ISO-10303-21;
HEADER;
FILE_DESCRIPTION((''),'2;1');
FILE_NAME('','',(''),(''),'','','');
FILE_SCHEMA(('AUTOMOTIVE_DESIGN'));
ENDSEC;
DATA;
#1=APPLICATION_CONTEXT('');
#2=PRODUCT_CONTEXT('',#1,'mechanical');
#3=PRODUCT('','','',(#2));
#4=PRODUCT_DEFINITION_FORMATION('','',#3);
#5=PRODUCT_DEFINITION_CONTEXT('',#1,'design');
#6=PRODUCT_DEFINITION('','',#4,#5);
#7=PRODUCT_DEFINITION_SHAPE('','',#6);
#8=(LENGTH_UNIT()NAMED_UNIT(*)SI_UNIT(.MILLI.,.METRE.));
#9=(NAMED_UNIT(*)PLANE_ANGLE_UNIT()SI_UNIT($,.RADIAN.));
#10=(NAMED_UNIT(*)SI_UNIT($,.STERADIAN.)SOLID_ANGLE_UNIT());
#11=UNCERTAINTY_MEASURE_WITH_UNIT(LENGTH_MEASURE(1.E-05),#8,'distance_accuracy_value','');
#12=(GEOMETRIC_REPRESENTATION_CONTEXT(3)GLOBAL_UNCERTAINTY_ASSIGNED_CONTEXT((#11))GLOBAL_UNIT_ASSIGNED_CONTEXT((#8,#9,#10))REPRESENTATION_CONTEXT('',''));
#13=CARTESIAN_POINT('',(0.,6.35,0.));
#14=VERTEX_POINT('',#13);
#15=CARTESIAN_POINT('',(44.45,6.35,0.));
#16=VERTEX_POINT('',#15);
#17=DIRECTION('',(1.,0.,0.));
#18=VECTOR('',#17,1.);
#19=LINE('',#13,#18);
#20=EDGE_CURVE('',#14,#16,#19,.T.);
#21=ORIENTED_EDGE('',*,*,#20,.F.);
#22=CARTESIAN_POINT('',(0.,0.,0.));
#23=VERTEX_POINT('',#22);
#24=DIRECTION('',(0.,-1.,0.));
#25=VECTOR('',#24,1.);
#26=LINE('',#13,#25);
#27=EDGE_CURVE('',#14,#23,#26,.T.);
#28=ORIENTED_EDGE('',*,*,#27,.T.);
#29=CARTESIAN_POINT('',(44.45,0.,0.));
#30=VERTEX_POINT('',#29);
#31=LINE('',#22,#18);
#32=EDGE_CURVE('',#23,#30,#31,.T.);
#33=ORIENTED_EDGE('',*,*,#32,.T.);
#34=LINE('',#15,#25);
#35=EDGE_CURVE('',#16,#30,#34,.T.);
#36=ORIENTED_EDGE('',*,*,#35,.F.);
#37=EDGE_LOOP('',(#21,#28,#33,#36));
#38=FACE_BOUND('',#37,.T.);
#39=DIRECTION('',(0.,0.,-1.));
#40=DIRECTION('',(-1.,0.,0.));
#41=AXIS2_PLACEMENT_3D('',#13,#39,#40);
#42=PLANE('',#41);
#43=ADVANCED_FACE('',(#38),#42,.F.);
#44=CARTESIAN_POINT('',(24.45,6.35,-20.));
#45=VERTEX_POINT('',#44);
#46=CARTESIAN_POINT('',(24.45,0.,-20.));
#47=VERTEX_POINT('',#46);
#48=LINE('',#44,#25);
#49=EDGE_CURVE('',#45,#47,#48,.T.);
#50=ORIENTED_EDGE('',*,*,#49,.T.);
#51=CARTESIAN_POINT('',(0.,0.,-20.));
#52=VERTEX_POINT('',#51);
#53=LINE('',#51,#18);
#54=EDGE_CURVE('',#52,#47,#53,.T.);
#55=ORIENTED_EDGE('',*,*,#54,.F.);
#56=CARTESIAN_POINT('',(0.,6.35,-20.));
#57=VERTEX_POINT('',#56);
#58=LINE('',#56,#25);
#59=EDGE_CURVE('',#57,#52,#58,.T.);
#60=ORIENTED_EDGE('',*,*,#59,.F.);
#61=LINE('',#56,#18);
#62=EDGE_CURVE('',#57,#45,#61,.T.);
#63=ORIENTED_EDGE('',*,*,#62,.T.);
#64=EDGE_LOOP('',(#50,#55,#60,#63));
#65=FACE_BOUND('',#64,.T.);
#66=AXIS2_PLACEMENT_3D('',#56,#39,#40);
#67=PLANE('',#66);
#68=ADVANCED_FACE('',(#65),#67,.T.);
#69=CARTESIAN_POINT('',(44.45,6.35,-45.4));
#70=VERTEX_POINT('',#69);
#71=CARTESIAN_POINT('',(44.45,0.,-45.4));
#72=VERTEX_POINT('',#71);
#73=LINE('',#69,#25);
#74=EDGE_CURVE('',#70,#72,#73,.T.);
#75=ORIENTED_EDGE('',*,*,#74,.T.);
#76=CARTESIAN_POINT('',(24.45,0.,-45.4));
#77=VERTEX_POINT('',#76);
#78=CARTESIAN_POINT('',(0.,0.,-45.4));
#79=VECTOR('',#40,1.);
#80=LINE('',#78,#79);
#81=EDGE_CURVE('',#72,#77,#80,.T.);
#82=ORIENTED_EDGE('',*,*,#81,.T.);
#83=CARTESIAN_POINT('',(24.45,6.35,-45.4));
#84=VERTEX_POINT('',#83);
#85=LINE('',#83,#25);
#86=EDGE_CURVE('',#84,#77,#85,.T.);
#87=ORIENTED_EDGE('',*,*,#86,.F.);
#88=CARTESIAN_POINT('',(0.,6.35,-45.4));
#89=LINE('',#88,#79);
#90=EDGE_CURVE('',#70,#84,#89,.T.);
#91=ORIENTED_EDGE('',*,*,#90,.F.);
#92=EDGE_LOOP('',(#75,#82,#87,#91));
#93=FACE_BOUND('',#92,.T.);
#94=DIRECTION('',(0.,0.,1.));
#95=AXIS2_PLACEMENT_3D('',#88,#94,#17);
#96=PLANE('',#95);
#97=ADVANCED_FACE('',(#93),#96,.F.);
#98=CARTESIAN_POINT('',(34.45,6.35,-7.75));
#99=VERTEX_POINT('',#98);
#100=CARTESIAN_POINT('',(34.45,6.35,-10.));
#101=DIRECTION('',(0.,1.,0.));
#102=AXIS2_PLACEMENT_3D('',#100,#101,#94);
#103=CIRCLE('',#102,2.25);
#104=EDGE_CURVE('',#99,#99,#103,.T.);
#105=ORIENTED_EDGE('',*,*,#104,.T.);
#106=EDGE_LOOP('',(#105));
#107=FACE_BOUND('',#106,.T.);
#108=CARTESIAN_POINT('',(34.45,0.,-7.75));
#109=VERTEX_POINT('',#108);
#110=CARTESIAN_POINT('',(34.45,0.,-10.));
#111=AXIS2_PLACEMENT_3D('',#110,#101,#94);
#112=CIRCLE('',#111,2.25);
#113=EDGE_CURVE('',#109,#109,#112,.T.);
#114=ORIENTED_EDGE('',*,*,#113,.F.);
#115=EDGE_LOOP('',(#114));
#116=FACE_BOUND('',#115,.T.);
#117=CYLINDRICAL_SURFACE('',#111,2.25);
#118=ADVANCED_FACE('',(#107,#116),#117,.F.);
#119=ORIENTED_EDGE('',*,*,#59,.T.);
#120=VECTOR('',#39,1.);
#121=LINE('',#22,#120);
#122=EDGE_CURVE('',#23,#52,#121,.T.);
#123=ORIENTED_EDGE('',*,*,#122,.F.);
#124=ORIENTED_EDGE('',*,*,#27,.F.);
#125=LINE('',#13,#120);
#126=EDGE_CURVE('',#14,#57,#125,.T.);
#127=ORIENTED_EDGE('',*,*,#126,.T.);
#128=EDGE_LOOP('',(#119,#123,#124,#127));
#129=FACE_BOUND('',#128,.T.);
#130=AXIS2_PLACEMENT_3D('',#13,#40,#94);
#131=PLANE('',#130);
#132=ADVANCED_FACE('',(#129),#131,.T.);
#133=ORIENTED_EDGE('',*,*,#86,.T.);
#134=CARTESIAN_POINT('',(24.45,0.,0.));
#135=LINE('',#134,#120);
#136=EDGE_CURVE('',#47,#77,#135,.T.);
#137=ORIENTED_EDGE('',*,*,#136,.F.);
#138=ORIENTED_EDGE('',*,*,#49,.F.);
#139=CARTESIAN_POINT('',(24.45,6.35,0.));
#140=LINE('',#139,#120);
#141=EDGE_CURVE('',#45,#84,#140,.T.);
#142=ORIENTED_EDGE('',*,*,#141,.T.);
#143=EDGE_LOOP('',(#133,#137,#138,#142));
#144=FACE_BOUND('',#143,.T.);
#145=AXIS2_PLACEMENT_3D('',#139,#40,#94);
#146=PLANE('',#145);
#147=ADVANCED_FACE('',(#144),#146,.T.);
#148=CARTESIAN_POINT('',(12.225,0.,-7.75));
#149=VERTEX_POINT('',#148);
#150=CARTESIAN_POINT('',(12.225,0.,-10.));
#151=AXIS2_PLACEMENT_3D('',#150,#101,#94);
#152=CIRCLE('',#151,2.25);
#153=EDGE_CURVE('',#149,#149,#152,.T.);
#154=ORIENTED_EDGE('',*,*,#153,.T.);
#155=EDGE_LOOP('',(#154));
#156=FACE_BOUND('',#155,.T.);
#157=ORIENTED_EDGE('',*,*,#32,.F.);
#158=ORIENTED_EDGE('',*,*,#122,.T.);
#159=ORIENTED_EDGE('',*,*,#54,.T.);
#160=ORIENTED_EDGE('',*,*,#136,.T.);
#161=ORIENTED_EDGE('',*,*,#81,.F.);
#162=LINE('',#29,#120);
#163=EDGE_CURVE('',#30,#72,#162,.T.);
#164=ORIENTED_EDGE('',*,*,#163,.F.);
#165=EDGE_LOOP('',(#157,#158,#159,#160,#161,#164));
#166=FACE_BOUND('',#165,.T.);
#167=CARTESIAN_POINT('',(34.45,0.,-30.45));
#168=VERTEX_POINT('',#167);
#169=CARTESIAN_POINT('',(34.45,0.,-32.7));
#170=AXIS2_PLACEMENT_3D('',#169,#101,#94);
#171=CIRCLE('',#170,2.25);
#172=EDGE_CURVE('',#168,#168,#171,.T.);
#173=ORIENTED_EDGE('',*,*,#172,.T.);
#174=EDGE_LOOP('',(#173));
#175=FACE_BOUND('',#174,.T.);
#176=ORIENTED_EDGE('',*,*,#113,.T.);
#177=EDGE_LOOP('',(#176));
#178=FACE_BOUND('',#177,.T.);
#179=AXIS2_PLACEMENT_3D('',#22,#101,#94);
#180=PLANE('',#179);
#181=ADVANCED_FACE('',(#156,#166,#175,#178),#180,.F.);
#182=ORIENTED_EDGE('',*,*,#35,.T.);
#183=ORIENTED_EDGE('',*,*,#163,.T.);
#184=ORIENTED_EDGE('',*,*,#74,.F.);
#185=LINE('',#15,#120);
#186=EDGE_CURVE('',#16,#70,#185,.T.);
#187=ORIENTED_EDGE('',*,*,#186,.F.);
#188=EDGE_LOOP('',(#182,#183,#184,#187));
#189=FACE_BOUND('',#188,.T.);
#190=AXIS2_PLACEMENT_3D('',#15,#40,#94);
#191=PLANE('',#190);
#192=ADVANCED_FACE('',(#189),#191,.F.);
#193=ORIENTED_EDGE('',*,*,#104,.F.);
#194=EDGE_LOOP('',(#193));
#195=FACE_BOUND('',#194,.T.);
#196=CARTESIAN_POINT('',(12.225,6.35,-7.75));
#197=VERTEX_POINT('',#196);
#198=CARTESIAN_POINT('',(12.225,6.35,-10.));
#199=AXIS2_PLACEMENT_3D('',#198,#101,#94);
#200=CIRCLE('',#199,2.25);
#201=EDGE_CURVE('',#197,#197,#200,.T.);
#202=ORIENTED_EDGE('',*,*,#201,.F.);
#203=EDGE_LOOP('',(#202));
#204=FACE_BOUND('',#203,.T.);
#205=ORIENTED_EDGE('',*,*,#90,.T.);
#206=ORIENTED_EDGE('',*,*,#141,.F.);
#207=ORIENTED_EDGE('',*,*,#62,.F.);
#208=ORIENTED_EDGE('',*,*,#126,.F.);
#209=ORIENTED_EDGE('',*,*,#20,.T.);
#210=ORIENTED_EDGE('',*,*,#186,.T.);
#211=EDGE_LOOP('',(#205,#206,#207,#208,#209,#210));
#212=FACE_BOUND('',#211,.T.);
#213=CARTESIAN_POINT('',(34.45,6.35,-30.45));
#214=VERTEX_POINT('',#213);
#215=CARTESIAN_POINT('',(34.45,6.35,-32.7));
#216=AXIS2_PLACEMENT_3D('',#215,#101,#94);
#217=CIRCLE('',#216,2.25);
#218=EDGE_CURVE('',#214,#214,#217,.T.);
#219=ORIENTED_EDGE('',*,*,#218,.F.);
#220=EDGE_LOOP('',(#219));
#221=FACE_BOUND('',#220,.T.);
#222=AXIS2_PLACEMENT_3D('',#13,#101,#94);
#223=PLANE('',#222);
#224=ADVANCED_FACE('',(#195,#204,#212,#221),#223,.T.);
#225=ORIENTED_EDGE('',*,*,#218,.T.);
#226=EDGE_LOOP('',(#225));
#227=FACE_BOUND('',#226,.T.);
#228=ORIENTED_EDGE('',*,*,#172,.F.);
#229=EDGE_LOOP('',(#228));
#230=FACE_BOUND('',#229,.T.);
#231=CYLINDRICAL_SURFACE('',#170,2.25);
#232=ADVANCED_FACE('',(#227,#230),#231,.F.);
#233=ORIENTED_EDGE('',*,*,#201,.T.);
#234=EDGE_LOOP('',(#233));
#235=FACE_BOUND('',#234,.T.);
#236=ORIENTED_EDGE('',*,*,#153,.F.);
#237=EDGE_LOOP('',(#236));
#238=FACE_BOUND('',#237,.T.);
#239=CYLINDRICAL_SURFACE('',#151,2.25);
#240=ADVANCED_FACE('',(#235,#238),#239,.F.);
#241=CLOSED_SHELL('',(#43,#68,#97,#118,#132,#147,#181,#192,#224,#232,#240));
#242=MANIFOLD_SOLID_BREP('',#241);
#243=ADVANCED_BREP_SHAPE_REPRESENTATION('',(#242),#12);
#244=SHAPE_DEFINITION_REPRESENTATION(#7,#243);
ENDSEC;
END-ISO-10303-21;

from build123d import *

# Parameters (mm, degrees)
SKETCH1_W           = 20
SKETCH1_H           = 25.4
SKETCH1_W_2         = 44.45
SKETCH1_H_2         = 20
BOSS_EXTRUDE1_DEPTH = 6.35
SKETCH2_R           = 2.25
CUT_EXTRUDE1_DEPTH  = 6.35


with BuildPart() as part:
    # Sketch1 → Boss-Extrude1 (new body)
    with BuildSketch(Plane(origin=(0, 0, 0), x_dir=(1, 0, 0), z_dir=(0, 1, 0))):
        with Locations((34.45, 32.7)):
            Rectangle(SKETCH1_W, SKETCH1_H)
        with Locations((22.225, 10)):
            Rectangle(SKETCH1_W_2, SKETCH1_H_2)
    extrude(amount=BOSS_EXTRUDE1_DEPTH)

    # Sketch2 → Cut-Extrude1 (cut)
    with BuildSketch(Plane(origin=(0, 6.35, 0), x_dir=(1, 0, 0), z_dir=(0, 1, 0))):
        with Locations(Location((12.225, 10, 0), (0, 0, 270))):
            Circle(SKETCH2_R)
        with Locations(Location((34.45, 10, 0), (0, 0, 270))):
            Circle(SKETCH2_R)
        with Locations(Location((34.45, 32.7, 0), (0, 0, 270))):
            Circle(SKETCH2_R)
    extrude(amount=-CUT_EXTRUDE1_DEPTH, mode=Mode.SUBTRACT)


solid = part.part
